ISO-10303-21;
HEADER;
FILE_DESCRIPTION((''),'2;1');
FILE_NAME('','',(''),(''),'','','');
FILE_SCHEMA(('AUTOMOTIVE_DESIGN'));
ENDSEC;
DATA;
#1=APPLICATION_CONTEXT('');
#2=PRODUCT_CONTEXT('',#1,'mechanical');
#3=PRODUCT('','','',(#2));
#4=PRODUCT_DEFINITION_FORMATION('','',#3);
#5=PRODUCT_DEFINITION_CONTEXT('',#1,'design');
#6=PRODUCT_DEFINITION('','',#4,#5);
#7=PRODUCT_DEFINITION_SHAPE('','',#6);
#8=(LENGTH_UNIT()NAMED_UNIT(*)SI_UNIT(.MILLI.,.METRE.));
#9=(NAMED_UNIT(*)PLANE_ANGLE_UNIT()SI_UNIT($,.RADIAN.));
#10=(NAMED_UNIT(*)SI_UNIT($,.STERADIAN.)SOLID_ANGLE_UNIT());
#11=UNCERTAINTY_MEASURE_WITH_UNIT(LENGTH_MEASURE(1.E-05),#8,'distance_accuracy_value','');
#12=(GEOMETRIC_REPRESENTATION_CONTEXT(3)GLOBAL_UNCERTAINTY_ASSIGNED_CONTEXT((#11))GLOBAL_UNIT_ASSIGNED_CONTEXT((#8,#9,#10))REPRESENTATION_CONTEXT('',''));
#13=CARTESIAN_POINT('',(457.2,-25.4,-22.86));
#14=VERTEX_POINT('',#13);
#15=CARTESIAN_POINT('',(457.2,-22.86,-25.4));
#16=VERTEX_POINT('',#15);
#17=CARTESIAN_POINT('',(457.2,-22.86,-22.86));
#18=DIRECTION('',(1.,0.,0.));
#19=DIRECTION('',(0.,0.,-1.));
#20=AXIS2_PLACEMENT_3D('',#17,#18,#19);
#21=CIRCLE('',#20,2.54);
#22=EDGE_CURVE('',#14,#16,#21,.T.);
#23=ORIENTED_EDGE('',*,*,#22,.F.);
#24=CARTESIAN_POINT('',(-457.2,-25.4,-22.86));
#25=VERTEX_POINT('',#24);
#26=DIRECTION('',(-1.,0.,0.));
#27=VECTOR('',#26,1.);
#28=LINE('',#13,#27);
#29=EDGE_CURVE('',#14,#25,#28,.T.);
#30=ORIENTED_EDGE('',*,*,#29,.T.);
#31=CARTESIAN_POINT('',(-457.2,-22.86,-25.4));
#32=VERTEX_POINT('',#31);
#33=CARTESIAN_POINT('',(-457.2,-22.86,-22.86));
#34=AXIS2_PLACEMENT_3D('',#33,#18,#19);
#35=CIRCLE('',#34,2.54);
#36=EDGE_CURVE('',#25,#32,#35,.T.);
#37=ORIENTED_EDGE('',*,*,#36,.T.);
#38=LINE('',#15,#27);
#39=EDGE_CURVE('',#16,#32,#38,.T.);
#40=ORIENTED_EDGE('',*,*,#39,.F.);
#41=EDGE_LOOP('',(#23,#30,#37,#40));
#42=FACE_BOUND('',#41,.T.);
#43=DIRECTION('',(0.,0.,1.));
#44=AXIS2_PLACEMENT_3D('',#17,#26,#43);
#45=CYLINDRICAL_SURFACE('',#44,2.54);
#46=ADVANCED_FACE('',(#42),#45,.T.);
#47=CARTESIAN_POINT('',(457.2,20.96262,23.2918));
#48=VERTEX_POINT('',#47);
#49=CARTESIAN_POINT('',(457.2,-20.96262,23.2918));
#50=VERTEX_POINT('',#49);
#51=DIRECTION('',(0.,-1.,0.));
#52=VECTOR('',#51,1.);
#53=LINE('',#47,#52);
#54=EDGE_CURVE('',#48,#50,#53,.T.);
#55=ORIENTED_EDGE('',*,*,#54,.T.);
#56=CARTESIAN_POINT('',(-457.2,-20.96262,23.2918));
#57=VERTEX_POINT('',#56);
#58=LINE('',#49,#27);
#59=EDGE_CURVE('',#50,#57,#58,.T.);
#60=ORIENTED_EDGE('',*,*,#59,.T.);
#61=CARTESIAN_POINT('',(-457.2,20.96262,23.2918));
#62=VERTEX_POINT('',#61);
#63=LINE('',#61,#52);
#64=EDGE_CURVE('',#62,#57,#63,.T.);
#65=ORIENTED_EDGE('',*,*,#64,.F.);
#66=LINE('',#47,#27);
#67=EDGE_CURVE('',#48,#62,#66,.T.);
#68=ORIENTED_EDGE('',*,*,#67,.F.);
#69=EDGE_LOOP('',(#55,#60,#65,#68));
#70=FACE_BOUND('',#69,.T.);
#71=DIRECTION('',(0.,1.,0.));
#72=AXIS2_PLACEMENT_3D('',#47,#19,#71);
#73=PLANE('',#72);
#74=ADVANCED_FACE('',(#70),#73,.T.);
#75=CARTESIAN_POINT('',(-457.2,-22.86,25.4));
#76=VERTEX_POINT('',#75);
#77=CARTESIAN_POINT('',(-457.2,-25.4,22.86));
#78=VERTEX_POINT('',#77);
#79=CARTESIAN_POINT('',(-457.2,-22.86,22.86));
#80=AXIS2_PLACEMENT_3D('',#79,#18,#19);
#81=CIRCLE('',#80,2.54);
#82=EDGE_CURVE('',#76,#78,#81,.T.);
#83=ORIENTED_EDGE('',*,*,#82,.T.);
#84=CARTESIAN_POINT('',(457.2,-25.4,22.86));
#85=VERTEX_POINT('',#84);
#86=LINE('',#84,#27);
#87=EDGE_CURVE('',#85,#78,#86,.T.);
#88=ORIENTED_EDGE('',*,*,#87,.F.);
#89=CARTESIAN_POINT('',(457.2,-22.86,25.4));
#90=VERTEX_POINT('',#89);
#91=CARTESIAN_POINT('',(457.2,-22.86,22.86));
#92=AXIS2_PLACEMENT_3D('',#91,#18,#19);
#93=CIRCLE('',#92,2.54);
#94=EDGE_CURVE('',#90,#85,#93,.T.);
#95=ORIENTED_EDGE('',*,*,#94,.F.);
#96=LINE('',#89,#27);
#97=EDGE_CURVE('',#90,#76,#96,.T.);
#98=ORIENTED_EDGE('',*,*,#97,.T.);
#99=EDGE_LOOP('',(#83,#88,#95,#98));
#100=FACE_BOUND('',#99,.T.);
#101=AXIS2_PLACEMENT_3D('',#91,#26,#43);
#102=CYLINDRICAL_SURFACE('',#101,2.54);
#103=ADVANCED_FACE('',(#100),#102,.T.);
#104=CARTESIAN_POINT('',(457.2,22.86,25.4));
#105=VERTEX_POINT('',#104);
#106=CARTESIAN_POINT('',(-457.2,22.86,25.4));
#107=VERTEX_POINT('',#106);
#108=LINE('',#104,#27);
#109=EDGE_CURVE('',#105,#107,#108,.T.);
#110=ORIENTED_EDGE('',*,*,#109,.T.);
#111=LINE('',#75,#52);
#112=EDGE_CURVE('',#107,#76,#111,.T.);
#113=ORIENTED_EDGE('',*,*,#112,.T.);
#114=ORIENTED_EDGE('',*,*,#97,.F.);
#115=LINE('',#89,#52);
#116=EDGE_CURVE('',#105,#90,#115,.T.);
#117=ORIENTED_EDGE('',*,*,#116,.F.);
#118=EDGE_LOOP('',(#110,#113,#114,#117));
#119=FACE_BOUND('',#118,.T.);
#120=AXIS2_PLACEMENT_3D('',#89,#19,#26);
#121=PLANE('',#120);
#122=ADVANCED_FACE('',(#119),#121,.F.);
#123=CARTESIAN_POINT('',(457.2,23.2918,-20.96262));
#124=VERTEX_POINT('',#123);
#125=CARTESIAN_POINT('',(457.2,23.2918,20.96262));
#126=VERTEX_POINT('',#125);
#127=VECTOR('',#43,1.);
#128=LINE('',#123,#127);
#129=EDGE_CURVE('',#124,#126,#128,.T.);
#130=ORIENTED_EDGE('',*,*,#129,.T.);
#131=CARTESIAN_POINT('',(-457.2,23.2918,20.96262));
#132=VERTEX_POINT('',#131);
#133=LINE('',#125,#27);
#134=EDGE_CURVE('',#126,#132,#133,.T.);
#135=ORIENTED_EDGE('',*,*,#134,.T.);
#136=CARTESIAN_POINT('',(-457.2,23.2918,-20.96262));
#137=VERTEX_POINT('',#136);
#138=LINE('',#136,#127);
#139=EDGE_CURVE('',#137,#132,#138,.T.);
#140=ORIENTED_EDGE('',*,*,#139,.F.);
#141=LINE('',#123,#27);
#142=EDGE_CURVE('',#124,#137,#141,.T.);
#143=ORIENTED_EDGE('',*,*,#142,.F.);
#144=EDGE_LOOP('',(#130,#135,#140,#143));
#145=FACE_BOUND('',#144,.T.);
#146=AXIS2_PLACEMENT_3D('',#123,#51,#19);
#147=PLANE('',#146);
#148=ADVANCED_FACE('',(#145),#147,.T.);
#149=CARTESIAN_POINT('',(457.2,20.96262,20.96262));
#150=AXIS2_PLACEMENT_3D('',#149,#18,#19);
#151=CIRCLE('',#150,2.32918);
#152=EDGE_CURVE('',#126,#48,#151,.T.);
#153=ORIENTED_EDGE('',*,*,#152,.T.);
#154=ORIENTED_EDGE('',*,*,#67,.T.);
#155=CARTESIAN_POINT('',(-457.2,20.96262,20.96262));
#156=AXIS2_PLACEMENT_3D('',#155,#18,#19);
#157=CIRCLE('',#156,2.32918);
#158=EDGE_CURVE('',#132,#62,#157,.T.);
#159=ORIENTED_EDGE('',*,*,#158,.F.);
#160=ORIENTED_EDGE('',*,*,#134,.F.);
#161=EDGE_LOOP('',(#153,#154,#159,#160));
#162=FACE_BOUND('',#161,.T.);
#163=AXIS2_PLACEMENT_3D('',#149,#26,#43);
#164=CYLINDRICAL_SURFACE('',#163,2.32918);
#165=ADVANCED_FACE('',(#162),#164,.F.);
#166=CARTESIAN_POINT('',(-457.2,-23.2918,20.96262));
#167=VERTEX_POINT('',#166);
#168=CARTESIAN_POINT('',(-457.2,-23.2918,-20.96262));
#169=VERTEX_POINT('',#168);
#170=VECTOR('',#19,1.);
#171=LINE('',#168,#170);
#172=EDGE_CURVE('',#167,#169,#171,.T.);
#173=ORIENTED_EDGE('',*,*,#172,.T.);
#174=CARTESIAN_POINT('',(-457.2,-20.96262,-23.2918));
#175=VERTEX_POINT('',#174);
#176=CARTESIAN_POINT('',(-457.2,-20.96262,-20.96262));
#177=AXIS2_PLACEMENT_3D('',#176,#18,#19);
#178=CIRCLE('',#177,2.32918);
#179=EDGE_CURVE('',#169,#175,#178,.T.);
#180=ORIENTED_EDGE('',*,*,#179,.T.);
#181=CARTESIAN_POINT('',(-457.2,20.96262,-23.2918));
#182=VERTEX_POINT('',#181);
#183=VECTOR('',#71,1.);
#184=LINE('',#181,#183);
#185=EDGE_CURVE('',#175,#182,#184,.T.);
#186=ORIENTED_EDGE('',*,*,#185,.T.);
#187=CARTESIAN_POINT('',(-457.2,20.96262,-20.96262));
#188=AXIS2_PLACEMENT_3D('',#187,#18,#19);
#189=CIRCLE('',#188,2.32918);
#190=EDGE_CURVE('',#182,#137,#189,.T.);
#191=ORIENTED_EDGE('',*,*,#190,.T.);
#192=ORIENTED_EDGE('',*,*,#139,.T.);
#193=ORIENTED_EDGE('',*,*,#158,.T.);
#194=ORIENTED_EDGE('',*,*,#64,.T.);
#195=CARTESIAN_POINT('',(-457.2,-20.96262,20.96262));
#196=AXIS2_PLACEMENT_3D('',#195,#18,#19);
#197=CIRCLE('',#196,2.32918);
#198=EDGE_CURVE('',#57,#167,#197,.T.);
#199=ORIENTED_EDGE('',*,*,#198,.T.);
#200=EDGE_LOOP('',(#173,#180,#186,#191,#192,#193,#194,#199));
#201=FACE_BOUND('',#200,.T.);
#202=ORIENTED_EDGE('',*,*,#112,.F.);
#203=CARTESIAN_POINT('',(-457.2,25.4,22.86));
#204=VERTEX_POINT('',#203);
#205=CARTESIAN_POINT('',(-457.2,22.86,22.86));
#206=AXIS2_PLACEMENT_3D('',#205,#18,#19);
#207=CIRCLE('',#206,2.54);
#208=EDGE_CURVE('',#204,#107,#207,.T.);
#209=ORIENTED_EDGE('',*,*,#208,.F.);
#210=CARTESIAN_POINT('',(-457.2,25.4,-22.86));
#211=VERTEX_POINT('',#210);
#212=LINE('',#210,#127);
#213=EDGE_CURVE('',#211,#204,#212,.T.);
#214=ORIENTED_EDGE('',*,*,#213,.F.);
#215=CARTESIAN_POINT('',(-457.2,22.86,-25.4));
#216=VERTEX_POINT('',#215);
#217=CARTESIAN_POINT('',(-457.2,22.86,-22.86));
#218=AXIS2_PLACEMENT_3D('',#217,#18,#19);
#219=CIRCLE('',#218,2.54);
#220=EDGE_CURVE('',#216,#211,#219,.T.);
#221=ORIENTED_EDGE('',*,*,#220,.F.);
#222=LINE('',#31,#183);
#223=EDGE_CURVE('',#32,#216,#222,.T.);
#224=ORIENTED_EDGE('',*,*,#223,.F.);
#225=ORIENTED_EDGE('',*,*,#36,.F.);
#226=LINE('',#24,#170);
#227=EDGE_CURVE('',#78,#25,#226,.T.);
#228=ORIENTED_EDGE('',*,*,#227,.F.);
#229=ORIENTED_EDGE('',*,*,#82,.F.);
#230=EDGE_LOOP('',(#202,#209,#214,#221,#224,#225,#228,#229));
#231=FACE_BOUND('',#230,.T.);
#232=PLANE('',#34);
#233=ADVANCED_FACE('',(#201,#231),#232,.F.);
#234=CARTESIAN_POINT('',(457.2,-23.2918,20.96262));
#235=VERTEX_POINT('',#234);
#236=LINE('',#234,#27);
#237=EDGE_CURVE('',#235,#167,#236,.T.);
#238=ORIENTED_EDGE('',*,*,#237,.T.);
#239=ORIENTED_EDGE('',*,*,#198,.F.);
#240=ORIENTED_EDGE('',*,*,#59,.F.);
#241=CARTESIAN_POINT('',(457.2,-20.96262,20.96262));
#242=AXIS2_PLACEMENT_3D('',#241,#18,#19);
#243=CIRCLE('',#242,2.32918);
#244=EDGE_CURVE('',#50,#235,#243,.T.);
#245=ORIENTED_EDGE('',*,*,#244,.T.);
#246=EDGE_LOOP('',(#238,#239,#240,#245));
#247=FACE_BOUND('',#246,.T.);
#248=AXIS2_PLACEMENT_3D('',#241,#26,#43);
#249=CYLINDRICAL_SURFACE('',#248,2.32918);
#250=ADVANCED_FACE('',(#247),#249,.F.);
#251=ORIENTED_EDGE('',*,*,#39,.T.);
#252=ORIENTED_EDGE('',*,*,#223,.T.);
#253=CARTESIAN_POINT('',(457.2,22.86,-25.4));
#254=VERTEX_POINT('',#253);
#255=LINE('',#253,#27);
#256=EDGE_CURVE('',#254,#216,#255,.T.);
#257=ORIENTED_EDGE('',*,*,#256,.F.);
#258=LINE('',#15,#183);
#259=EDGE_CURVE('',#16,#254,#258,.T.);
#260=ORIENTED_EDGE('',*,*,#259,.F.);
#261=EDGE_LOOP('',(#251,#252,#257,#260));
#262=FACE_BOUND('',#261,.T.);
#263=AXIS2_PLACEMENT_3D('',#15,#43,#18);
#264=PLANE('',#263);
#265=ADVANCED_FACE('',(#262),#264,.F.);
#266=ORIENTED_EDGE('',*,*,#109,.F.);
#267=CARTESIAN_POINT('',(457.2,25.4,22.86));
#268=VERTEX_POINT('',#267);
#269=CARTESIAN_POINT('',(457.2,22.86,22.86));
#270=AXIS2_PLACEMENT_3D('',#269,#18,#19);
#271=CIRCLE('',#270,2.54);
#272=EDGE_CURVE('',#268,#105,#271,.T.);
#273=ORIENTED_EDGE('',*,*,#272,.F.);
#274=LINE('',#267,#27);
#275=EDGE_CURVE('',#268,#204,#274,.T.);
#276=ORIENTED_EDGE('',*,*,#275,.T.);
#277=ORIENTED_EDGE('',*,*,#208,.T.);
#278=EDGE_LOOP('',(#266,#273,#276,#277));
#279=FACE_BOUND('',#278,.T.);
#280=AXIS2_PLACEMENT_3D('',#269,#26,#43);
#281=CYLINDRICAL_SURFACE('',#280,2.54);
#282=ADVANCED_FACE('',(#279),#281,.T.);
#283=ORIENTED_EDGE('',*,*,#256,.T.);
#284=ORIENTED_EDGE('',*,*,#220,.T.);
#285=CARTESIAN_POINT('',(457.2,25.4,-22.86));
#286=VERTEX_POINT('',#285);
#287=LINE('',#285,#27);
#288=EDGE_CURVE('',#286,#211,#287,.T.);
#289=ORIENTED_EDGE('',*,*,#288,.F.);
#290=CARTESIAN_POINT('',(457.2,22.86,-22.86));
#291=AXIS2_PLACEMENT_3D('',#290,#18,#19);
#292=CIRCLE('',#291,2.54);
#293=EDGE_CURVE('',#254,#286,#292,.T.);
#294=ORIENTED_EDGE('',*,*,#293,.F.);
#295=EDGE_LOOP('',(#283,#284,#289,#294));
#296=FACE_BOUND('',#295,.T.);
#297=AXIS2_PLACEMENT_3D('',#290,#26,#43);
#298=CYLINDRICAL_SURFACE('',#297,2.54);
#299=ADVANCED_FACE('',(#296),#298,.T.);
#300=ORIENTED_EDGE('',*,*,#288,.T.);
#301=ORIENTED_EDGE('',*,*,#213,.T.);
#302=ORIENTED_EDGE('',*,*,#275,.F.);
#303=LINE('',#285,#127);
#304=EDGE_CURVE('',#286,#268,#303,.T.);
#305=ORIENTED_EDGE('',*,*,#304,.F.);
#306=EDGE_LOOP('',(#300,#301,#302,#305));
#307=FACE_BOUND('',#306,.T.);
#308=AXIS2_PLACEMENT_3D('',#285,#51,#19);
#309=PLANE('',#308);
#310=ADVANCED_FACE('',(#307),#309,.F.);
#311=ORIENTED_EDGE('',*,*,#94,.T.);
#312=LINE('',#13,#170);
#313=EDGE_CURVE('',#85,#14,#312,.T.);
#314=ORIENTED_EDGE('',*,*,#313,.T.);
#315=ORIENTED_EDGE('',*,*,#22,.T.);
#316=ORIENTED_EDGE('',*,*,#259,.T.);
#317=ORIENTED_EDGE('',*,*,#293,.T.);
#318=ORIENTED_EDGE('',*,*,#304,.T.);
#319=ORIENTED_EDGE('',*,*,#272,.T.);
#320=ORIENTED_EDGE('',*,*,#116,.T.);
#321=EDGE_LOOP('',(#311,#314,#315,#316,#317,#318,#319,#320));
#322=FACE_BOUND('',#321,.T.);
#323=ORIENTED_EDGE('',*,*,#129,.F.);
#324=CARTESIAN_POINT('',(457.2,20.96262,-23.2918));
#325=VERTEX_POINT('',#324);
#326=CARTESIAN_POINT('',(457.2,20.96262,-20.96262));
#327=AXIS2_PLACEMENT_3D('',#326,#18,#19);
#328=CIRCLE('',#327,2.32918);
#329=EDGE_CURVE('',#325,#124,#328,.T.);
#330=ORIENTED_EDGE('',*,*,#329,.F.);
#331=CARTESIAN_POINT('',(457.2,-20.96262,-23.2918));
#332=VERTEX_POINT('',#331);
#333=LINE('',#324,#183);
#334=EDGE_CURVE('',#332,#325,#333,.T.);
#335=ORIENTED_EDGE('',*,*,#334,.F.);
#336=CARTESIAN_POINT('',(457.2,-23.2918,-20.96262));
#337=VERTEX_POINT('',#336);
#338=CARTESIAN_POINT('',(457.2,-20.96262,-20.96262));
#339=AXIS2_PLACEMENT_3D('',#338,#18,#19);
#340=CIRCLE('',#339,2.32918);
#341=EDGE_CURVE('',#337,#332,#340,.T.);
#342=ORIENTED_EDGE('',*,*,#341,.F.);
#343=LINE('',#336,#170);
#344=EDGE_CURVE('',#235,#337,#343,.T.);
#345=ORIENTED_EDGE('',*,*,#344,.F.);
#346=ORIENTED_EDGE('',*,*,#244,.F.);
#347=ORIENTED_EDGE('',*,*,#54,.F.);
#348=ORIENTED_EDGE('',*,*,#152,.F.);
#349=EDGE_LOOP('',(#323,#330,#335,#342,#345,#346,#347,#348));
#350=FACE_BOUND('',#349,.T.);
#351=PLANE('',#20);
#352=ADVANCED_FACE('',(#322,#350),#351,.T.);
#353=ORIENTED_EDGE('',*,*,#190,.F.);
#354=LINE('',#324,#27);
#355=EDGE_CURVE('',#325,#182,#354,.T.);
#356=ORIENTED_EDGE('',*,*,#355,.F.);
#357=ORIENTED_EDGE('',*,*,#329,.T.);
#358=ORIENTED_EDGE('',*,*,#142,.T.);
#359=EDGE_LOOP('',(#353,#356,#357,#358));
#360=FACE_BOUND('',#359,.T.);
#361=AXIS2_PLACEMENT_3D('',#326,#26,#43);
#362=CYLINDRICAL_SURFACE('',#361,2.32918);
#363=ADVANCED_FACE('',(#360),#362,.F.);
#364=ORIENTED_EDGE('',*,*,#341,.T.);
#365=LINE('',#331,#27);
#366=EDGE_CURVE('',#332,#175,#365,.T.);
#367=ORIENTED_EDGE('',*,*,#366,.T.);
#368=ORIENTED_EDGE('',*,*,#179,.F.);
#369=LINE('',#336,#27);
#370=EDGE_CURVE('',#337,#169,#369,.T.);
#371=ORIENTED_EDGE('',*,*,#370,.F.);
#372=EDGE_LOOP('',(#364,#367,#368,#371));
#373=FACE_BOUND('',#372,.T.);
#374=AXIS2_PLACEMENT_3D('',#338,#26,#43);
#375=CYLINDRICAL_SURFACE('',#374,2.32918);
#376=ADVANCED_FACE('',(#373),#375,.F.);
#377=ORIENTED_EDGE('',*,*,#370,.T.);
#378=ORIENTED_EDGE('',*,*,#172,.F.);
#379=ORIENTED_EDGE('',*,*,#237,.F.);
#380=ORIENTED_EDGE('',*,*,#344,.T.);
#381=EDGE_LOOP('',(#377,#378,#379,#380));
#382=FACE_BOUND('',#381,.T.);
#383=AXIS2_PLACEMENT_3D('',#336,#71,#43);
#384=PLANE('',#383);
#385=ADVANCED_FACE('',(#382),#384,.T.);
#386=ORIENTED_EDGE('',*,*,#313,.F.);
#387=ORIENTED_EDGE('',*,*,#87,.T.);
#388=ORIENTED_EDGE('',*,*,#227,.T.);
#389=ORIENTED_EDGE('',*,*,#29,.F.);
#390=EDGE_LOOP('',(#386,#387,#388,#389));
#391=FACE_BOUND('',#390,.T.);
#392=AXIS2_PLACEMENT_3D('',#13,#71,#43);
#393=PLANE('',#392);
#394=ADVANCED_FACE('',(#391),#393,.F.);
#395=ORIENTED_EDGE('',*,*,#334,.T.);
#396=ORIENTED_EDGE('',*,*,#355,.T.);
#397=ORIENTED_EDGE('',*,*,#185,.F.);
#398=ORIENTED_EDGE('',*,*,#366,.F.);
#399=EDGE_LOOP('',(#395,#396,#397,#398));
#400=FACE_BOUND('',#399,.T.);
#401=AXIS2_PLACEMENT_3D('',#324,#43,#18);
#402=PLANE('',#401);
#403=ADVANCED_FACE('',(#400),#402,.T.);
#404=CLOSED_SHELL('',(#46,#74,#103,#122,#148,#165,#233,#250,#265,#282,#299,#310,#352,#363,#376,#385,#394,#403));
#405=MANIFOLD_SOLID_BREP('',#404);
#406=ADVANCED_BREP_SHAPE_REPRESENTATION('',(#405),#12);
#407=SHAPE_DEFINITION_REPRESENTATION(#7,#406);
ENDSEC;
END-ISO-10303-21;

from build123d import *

# Parameters (mm, degrees)
BOSS_EXTRUDE1_DEPTH      = 457.2
BOSS_EXTRUDE1_DEPTH_BACK = 457.2


with BuildPart() as part:
    # Sketch4 → Boss-Extrude1 (new, two sides: drawn at the far end of the back side and taken through both)
    with BuildSketch(Plane(origin=(0, 0, 0), x_dir=(0, 0, -1), z_dir=(1, 0, 0)).offset(-BOSS_EXTRUDE1_DEPTH_BACK)):
        with BuildLine():
            Line((25.4, -22.86), (25.4, 22.86))
            ThreePointArc((25.4, 22.86), (24.656051224, 24.656051224), (22.86, 25.4))
            Line((22.86, 25.4), (-22.86, 25.4))
            ThreePointArc((-22.86, 25.4), (-24.656051224, 24.656051224), (-25.4, 22.86))
            Line((-25.4, 22.86), (-25.4, -22.86))
            ThreePointArc((-25.4, -22.86), (-24.656051224, -24.656051224), (-22.86, -25.4))
            Line((-22.86, -25.4), (22.86, -25.4))
            ThreePointArc((22.86, -25.4), (24.656051224, -24.656051224), (25.4, -22.86))
        make_face()
        with BuildLine():
            Line((23.2918, 20.96262), (23.2918, -20.96262))
            ThreePointArc((23.2918, -20.96262), (22.609598973, -22.609598973), (20.96262, -23.2918))
            Line((20.96262, -23.2918), (-20.96262, -23.2918))
            ThreePointArc((-20.96262, -23.2918), (-22.609598973, -22.609598973), (-23.2918, -20.96262))
            Line((-23.2918, -20.96262), (-23.2918, 20.96262))
            ThreePointArc((-23.2918, 20.96262), (-22.609598973, 22.609598973), (-20.96262, 23.2918))
            Line((-20.96262, 23.2918), (20.96262, 23.2918))
            ThreePointArc((20.96262, 23.2918), (22.609598973, 22.609598973), (23.2918, 20.96262))
        make_face(mode=Mode.SUBTRACT)
    extrude(amount=BOSS_EXTRUDE1_DEPTH + BOSS_EXTRUDE1_DEPTH_BACK)


solid = part.part
